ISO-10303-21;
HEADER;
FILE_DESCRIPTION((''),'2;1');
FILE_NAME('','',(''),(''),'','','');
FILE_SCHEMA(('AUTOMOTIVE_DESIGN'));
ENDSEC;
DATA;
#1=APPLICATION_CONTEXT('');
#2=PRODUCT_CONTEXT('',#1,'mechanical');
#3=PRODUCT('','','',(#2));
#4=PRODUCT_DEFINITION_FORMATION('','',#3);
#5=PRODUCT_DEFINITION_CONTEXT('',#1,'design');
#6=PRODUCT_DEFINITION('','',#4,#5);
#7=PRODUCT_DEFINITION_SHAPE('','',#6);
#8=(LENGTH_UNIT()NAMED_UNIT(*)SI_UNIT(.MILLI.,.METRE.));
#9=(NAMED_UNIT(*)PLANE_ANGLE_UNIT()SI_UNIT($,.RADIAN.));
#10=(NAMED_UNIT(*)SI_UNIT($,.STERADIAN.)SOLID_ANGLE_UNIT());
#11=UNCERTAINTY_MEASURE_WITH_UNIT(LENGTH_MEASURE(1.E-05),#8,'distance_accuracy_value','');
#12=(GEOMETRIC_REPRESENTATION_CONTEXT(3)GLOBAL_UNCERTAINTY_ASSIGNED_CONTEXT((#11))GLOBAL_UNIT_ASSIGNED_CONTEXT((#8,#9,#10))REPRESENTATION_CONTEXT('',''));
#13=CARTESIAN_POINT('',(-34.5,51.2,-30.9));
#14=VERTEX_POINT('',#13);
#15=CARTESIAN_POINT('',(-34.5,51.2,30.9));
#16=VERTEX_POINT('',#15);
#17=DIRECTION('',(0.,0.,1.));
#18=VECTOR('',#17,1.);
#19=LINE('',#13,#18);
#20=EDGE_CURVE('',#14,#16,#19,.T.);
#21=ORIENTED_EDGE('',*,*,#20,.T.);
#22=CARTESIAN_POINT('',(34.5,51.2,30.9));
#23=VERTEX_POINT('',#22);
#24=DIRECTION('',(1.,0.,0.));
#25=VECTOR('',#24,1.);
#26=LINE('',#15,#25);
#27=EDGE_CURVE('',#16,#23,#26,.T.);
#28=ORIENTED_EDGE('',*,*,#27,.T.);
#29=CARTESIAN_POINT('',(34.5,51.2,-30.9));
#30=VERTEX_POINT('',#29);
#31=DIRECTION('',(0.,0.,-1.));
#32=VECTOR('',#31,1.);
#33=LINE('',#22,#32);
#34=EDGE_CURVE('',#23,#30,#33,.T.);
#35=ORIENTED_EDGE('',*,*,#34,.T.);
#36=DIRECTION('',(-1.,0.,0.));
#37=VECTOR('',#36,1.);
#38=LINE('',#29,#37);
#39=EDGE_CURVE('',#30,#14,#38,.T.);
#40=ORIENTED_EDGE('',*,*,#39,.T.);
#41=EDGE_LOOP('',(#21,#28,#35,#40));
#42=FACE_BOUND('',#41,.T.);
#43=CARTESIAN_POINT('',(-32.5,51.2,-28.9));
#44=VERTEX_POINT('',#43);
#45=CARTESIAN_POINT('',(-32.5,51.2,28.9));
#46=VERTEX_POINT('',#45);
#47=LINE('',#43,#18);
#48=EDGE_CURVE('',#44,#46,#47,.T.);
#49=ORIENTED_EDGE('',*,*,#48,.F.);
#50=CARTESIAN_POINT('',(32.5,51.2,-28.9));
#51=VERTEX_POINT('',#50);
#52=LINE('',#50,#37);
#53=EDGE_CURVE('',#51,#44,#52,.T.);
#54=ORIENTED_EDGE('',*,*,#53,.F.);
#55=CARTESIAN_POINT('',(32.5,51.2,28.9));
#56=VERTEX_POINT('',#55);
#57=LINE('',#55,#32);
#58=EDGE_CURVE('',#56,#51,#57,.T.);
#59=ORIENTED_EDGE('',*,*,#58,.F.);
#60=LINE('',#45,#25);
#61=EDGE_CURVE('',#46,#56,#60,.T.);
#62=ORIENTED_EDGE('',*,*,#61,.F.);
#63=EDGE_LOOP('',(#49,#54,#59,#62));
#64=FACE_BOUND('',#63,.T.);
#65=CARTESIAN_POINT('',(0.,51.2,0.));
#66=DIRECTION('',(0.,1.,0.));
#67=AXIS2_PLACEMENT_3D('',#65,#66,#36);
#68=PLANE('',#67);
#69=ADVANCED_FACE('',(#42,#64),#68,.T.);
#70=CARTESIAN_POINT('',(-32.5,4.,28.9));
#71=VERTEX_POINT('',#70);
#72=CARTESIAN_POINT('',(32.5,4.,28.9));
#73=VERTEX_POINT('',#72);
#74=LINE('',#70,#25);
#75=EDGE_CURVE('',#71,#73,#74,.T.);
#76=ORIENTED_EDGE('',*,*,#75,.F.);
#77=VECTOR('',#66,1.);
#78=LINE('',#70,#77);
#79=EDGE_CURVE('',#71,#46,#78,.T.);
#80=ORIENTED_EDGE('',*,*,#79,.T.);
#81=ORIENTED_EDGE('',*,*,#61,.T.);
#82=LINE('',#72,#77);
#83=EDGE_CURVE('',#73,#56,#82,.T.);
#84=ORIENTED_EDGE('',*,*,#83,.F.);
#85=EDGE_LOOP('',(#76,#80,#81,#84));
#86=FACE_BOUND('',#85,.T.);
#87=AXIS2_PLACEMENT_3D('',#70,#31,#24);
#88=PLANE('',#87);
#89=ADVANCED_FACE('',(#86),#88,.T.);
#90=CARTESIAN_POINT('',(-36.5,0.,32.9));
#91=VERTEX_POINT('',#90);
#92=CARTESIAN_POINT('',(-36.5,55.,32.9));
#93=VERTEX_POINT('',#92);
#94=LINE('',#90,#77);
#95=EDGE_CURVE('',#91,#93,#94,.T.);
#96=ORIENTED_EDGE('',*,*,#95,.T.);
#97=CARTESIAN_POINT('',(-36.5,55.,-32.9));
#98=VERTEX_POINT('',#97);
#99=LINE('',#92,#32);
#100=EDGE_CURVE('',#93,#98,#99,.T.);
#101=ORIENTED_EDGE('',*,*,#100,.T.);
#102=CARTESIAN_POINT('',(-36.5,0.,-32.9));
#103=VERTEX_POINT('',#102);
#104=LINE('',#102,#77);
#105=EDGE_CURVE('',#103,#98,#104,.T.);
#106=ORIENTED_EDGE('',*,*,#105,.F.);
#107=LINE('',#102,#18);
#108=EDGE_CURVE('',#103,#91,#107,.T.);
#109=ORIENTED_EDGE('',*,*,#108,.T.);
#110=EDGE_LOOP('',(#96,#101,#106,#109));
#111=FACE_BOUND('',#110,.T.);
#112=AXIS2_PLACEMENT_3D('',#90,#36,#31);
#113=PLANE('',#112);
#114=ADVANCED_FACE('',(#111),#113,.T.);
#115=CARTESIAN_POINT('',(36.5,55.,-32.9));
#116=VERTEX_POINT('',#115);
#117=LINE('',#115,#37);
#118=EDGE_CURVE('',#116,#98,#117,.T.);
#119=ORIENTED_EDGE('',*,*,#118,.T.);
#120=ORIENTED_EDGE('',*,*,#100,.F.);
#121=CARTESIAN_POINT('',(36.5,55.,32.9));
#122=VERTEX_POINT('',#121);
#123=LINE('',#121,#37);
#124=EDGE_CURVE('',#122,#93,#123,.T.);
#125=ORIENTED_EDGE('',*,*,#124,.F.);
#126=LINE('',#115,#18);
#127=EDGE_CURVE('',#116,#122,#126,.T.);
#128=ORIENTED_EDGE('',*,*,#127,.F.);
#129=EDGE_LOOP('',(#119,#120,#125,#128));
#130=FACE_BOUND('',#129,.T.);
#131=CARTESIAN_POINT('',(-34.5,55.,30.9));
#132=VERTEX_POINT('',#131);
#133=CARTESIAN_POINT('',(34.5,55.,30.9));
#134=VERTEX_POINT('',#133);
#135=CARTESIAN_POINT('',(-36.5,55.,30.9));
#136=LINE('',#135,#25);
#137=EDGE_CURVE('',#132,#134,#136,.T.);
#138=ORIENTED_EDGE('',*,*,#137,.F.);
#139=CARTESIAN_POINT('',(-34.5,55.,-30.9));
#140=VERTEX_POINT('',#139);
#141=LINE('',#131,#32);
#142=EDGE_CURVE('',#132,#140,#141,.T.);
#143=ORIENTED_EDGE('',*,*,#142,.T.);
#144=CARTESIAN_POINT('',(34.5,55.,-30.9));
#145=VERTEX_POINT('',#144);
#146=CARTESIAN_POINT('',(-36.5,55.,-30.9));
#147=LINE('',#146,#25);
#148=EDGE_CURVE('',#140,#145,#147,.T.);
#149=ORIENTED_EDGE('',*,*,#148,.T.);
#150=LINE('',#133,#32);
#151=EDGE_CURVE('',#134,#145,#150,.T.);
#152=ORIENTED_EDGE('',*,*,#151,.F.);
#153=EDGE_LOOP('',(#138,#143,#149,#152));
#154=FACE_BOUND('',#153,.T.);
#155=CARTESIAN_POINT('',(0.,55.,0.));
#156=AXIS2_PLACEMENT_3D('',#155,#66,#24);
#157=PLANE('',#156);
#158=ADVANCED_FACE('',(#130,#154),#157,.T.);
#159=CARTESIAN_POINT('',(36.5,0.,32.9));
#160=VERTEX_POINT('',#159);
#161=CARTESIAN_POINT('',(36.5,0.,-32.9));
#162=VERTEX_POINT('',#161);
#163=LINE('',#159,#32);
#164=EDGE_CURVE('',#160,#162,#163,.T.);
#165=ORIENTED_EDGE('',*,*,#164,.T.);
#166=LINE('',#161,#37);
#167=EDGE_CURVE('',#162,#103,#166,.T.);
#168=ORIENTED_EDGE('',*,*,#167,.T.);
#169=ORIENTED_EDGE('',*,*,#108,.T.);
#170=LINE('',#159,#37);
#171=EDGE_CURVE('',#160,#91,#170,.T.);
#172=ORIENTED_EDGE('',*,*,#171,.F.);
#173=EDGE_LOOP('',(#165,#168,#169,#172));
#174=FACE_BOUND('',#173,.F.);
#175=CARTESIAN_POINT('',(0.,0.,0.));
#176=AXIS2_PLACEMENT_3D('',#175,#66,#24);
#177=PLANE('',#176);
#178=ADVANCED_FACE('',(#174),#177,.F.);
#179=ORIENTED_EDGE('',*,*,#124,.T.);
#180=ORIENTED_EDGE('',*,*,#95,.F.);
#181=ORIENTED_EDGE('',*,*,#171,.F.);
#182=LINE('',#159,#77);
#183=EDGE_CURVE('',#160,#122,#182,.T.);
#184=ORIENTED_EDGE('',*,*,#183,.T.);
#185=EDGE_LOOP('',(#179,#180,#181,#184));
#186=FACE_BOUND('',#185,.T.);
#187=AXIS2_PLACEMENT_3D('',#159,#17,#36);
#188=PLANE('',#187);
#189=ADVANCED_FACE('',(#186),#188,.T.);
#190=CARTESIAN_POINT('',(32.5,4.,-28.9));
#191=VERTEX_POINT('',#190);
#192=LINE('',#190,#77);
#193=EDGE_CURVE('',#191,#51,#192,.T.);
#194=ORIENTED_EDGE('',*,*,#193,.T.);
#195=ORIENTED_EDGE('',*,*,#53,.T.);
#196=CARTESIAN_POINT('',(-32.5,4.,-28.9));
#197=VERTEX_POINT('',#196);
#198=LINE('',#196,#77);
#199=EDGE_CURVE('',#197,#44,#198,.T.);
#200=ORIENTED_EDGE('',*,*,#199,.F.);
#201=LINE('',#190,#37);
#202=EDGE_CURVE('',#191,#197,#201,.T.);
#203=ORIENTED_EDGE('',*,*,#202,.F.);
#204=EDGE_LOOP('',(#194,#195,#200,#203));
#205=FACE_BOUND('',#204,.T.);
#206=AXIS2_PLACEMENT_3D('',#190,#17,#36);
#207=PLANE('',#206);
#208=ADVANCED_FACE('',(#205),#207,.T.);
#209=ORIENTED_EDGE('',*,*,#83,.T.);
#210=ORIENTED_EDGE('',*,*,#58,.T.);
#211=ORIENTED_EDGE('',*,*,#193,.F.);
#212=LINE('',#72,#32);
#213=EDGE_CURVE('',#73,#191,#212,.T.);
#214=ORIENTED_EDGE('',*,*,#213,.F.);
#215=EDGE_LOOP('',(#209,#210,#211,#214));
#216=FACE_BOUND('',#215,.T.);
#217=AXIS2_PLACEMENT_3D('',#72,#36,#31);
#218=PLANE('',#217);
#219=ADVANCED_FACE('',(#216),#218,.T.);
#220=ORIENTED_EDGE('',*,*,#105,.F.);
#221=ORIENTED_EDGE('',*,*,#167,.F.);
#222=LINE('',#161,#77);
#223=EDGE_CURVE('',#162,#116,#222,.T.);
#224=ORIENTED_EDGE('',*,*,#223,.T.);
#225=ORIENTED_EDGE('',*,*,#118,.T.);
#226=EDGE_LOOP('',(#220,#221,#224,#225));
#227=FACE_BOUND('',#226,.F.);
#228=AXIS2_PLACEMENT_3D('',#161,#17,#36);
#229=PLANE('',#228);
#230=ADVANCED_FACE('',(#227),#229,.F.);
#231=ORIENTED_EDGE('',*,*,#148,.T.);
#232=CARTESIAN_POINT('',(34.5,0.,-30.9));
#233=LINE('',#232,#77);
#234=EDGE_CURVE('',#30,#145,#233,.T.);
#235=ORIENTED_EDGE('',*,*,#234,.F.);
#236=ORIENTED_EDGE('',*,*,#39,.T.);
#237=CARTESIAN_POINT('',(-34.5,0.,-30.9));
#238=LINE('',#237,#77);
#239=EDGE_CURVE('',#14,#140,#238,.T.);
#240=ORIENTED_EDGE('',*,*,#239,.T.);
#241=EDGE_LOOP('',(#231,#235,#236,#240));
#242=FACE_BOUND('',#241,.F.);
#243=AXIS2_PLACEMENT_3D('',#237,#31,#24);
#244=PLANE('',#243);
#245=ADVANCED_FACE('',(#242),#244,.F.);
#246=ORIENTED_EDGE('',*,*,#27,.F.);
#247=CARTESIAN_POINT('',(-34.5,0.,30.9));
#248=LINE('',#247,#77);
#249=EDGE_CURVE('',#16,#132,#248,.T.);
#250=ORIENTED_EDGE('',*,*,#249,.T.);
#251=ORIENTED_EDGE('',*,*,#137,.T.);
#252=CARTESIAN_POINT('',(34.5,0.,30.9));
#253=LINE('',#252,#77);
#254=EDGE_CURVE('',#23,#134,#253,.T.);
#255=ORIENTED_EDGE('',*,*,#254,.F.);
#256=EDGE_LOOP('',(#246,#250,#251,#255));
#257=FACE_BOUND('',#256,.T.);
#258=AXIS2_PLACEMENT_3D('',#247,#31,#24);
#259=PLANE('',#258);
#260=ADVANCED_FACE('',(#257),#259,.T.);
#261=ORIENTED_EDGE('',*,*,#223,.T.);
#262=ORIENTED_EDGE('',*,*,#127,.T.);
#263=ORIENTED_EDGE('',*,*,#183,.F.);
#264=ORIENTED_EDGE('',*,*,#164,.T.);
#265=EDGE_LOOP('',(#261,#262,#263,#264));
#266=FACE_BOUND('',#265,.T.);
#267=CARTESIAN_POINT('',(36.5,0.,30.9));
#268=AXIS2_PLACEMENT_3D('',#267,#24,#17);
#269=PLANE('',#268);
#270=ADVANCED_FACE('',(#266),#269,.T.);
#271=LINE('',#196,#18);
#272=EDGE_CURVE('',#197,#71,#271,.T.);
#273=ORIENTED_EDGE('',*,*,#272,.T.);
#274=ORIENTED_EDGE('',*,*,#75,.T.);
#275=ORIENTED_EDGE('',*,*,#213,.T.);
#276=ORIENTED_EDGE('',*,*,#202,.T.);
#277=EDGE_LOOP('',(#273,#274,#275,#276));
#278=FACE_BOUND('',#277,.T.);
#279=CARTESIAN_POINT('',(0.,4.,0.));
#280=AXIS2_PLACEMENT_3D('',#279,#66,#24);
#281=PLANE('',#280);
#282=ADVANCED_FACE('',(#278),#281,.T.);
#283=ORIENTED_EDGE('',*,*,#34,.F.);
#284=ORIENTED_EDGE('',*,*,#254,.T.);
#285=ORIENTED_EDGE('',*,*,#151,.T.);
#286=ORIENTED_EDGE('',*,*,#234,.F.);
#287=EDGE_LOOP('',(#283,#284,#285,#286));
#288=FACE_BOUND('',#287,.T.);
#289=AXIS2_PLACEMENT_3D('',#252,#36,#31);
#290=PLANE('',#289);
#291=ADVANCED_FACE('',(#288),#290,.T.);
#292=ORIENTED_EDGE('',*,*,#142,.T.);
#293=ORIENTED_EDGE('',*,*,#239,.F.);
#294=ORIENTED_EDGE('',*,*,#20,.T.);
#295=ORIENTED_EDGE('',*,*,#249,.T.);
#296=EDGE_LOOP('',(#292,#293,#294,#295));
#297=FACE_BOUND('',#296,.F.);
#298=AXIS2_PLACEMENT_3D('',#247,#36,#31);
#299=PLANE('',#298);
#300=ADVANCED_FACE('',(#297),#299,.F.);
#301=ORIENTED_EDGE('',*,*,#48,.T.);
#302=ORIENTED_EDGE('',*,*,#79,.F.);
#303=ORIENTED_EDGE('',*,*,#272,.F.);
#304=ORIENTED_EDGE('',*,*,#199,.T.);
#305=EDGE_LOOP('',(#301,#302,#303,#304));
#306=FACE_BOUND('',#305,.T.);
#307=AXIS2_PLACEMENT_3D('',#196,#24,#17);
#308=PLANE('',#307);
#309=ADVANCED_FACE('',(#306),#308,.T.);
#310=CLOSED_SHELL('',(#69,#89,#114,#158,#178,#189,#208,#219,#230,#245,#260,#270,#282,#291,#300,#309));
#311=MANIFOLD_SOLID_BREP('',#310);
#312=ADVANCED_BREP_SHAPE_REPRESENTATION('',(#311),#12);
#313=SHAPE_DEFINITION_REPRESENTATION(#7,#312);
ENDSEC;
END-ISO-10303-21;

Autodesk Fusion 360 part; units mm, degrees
sketch "base" plane through (0, 0, 0) normal (0, 1, 0) x (1, 0, 0)
  line L0 (36.5, -32.9) -> (-36.5, -32.9)
  line L1 (-36.5, -32.9) -> (-36.5, -30.9)
  line L2 (-36.5, -30.9) -> (36.5, -30.9)
  line L3 (36.5, -30.9) -> (36.5, -32.9)
  line L4 (36.5, 32.9) -> (-36.5, 32.9)
  line L5 (-36.5, 32.9) -> (-36.5, 30.9)
  line L6 (-36.5, 30.9) -> (36.5, 30.9)
  line L7 (36.5, 30.9) -> (36.5, 32.9)
  line L8 (36.5, -30.9) -> (34.5, -30.9)
  line L9 (34.5, -30.9) -> (34.5, 30.9)
  line L10 (34.5, 30.9) -> (36.5, 30.9)
  line L11 (36.5, 30.9) -> (36.5, -30.9)
  line L12 (0, -49.6148) -> (0, 45.2004) construction
  line L13 (54.9351, 0) -> (-34.717, 0) construction
  line L14 (-36.5, -30.9) -> (-34.5, -30.9)
  line L15 (-34.5, -30.9) -> (-34.5, 30.9)
  line L16 (-34.5, 30.9) -> (-36.5, 30.9)
  line L17 (-36.5, 30.9) -> (-36.5, -30.9)
  dimension "d1" = 2
  dimension "d2" = 73
  dimension "d3" = 65.8
extrude "Extrude1" add sketch "base" along normal blind 55 contours L0 L1 L2 L3 L8 L14 | L2 L6 L8 L9 L10 L11 | L2 L6 L14 L15 L16 L17 | L4 L5 L6 L7 L10 L16 makes body 1
extrude "Extrude2" add sketch "base" along normal blind 4 separate body contours L2 L6 L9 L15 makes body 2
sketch "Sketch3" plane through (0, 4, 0) normal (0, 1, 0) x (-1, 0, 0)
  line L0 (-34.5, 30.9) -> (-34.5, -30.9)
  line L1 (-34.5, -30.9) -> (34.5, -30.9)
  line L2 (34.5, -30.9) -> (34.5, 30.9)
  line L3 (34.5, 30.9) -> (-34.5, 30.9)
  line L4 (-32.5, -28.9) -> (32.5, -28.9)
  line L5 (32.5, -28.9) -> (32.5, 28.9)
  line L6 (32.5, 28.9) -> (-32.5, 28.9)
  line L7 (-32.5, 28.9) -> (-32.5, -28.9)
  dimension "d16" = -2
extrude "Extrude5" add sketch "Sketch3" along normal blind 47.2 bodies 1 2
equation "d17 = 56 mm - 3.8 mm - 5 mm"
